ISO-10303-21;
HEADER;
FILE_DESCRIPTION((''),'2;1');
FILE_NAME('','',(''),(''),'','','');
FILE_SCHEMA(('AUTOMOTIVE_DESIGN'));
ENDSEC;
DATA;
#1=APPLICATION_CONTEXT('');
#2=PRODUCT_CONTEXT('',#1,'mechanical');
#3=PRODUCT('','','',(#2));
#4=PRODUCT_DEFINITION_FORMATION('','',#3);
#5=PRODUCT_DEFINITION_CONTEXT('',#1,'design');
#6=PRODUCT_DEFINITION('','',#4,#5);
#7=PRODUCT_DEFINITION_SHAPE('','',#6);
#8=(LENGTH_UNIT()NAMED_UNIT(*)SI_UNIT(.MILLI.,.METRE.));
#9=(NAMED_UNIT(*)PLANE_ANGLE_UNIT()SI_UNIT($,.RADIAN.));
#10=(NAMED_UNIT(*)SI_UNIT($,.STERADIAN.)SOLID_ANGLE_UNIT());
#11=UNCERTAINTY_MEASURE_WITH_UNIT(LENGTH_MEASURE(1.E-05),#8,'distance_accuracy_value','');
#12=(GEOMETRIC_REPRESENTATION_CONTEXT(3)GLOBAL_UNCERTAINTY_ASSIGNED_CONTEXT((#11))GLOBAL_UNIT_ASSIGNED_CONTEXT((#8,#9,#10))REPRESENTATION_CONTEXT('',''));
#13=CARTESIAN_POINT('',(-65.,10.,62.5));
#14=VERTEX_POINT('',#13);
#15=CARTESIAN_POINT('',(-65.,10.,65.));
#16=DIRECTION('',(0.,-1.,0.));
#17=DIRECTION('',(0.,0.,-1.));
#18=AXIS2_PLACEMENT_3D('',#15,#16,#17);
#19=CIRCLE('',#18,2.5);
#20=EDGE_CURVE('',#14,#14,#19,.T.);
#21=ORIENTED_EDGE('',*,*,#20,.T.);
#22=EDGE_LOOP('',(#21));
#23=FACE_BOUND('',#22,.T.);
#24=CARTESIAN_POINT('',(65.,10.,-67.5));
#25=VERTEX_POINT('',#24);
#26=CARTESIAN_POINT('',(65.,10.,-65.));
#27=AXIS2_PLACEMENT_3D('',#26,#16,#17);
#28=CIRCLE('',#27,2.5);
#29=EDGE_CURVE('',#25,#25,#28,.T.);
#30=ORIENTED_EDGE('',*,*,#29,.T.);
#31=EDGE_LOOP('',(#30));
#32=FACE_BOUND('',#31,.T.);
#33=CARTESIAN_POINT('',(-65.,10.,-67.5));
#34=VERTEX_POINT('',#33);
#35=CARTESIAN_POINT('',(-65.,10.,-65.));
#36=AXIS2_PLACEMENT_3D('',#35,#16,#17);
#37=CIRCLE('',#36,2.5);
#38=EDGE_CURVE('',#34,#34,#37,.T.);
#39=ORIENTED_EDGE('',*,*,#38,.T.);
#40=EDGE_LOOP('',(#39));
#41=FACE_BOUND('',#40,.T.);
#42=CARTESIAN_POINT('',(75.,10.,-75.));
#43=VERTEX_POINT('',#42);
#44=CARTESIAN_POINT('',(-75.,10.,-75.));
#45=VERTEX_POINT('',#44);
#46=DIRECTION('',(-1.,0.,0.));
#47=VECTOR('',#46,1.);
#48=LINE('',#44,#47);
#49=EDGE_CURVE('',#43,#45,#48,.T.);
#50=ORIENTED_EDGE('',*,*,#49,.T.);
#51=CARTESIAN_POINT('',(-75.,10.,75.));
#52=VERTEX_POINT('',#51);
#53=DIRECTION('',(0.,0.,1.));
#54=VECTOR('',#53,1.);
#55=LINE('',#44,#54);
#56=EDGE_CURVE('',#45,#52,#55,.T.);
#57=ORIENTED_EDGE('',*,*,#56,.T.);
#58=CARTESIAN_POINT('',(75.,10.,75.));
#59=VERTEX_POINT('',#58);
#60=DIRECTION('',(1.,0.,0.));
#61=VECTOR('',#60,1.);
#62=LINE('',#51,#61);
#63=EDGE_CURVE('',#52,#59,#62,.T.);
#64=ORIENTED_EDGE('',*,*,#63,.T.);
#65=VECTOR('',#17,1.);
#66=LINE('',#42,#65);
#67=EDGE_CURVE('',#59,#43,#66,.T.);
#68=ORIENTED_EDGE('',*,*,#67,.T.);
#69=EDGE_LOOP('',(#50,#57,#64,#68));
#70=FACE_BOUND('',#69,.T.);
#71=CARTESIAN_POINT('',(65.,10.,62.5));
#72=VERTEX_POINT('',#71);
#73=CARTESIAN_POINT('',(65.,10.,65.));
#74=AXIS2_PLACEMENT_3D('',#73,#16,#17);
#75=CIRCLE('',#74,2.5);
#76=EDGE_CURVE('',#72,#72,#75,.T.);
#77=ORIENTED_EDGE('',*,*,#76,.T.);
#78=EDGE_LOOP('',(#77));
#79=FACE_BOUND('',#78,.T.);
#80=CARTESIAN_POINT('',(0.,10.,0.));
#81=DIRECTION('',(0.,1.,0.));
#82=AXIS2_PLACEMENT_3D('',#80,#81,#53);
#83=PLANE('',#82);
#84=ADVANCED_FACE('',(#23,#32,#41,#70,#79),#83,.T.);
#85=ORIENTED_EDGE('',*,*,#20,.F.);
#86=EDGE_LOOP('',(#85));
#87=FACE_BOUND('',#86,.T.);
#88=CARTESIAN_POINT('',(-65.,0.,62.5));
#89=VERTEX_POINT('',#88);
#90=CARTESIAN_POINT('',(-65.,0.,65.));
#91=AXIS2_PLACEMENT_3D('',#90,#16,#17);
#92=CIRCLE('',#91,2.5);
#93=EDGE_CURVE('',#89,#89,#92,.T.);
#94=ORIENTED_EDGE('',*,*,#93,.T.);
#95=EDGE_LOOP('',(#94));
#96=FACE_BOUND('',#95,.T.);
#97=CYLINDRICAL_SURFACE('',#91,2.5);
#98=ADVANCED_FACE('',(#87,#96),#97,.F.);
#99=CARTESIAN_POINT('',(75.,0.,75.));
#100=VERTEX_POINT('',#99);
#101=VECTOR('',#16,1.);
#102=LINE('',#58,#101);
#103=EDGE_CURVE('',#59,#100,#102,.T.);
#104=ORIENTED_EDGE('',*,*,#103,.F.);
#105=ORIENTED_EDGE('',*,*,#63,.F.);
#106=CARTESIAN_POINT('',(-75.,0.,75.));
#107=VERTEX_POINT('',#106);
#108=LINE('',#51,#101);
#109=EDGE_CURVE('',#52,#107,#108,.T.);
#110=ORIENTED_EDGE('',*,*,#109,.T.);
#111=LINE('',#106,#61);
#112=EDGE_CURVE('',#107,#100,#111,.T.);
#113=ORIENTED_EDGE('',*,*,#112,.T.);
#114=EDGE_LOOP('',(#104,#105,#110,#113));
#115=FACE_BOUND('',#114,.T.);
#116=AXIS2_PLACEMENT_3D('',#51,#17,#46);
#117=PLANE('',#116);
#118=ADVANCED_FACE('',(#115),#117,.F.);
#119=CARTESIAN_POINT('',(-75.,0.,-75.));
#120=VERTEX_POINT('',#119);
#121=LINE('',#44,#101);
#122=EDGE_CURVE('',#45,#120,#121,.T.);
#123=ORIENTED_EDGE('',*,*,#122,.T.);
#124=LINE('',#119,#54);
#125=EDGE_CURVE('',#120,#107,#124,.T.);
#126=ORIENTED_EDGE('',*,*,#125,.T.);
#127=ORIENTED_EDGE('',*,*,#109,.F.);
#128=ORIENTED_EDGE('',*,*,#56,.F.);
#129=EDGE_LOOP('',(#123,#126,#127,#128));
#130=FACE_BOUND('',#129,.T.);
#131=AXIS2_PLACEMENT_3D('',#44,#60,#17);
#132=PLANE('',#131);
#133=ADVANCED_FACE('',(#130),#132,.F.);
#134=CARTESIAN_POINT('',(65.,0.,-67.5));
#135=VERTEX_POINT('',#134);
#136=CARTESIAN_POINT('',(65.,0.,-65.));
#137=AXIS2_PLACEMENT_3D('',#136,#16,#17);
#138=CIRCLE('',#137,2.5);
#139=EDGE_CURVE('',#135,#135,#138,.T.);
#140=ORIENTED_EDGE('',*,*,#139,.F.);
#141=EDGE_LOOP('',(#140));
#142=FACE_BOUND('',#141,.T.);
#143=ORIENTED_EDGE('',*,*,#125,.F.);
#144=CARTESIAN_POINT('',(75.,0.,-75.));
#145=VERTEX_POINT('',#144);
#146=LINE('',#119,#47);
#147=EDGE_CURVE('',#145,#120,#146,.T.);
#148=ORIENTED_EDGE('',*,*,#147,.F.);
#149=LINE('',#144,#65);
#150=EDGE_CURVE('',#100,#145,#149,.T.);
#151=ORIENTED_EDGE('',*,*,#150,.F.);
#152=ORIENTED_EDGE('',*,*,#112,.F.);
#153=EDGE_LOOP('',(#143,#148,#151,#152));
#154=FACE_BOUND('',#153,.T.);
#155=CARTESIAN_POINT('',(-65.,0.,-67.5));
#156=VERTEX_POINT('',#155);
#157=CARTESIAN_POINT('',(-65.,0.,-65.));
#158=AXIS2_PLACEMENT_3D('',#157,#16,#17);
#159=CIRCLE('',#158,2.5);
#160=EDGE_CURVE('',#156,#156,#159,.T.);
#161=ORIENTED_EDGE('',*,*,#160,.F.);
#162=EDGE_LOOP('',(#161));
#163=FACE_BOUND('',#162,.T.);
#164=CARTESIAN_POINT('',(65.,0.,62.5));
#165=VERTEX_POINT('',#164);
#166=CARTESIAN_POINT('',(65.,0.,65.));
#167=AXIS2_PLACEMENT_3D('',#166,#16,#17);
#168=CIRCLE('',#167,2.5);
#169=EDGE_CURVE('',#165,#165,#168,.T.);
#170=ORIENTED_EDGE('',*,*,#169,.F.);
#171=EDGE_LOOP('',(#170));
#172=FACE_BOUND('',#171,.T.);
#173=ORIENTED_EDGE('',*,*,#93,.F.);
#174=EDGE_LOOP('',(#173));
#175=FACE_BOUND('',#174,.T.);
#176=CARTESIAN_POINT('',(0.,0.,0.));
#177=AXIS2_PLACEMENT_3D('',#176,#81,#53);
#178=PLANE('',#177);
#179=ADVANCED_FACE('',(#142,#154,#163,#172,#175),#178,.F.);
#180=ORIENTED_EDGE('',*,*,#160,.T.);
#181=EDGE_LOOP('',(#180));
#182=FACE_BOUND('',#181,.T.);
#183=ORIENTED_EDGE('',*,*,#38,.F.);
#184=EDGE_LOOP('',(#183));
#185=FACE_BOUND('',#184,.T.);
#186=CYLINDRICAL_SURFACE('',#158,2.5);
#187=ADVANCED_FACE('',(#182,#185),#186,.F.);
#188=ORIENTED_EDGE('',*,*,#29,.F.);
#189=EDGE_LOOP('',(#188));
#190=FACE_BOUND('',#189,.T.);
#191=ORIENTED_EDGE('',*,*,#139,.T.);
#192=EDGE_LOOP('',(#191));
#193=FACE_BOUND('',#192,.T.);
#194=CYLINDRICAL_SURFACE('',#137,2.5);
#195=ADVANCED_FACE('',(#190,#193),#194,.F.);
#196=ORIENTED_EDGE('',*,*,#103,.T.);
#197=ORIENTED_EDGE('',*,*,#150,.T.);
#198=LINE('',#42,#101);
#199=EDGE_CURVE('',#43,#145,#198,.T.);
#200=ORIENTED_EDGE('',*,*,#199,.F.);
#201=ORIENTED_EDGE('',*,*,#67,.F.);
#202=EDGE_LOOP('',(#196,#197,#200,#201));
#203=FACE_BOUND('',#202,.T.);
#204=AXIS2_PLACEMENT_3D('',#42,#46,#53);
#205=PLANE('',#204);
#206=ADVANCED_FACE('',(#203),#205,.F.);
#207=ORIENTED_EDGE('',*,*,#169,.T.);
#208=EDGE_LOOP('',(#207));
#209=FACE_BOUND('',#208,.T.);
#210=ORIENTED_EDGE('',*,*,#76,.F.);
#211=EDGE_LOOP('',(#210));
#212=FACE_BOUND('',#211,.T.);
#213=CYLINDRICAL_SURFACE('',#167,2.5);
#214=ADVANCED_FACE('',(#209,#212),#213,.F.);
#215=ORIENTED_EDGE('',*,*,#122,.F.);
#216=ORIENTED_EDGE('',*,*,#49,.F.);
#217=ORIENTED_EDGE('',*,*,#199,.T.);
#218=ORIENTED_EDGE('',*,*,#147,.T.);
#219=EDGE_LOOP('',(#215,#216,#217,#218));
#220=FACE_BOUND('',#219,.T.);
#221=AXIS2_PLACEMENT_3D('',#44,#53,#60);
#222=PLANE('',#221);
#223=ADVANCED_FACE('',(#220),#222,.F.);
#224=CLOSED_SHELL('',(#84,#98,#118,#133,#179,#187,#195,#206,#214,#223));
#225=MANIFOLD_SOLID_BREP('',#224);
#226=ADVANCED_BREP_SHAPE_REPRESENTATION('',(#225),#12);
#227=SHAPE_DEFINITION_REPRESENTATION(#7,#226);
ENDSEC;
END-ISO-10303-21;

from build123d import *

# Parameters (mm, degrees)
SKETCH1_W           = 150
SKETCH1_H           = 150
BOSS_EXTRUDE1_DEPTH = 10
M6_TAPPED_HOLE1_D   = 5


with BuildPart() as part:
    # Sketch1 → Boss-Extrude1 (new body)
    with BuildSketch(Plane(origin=(0, 0, 0), x_dir=(1, 0, 0), z_dir=(0, 1, 0))):
        Rectangle(SKETCH1_W, SKETCH1_H)
    extrude(amount=BOSS_EXTRUDE1_DEPTH)

    # M6 Tapped Hole1 (through all)
    with Locations(Plane(origin=(65, 0, 65), x_dir=(0, 0, -1), z_dir=(0, -1, 0))):
        with Locations((0, 0), (130, 0), (130, -130), (0, -130)):
            Hole(M6_TAPPED_HOLE1_D / 2)


solid = part.part
